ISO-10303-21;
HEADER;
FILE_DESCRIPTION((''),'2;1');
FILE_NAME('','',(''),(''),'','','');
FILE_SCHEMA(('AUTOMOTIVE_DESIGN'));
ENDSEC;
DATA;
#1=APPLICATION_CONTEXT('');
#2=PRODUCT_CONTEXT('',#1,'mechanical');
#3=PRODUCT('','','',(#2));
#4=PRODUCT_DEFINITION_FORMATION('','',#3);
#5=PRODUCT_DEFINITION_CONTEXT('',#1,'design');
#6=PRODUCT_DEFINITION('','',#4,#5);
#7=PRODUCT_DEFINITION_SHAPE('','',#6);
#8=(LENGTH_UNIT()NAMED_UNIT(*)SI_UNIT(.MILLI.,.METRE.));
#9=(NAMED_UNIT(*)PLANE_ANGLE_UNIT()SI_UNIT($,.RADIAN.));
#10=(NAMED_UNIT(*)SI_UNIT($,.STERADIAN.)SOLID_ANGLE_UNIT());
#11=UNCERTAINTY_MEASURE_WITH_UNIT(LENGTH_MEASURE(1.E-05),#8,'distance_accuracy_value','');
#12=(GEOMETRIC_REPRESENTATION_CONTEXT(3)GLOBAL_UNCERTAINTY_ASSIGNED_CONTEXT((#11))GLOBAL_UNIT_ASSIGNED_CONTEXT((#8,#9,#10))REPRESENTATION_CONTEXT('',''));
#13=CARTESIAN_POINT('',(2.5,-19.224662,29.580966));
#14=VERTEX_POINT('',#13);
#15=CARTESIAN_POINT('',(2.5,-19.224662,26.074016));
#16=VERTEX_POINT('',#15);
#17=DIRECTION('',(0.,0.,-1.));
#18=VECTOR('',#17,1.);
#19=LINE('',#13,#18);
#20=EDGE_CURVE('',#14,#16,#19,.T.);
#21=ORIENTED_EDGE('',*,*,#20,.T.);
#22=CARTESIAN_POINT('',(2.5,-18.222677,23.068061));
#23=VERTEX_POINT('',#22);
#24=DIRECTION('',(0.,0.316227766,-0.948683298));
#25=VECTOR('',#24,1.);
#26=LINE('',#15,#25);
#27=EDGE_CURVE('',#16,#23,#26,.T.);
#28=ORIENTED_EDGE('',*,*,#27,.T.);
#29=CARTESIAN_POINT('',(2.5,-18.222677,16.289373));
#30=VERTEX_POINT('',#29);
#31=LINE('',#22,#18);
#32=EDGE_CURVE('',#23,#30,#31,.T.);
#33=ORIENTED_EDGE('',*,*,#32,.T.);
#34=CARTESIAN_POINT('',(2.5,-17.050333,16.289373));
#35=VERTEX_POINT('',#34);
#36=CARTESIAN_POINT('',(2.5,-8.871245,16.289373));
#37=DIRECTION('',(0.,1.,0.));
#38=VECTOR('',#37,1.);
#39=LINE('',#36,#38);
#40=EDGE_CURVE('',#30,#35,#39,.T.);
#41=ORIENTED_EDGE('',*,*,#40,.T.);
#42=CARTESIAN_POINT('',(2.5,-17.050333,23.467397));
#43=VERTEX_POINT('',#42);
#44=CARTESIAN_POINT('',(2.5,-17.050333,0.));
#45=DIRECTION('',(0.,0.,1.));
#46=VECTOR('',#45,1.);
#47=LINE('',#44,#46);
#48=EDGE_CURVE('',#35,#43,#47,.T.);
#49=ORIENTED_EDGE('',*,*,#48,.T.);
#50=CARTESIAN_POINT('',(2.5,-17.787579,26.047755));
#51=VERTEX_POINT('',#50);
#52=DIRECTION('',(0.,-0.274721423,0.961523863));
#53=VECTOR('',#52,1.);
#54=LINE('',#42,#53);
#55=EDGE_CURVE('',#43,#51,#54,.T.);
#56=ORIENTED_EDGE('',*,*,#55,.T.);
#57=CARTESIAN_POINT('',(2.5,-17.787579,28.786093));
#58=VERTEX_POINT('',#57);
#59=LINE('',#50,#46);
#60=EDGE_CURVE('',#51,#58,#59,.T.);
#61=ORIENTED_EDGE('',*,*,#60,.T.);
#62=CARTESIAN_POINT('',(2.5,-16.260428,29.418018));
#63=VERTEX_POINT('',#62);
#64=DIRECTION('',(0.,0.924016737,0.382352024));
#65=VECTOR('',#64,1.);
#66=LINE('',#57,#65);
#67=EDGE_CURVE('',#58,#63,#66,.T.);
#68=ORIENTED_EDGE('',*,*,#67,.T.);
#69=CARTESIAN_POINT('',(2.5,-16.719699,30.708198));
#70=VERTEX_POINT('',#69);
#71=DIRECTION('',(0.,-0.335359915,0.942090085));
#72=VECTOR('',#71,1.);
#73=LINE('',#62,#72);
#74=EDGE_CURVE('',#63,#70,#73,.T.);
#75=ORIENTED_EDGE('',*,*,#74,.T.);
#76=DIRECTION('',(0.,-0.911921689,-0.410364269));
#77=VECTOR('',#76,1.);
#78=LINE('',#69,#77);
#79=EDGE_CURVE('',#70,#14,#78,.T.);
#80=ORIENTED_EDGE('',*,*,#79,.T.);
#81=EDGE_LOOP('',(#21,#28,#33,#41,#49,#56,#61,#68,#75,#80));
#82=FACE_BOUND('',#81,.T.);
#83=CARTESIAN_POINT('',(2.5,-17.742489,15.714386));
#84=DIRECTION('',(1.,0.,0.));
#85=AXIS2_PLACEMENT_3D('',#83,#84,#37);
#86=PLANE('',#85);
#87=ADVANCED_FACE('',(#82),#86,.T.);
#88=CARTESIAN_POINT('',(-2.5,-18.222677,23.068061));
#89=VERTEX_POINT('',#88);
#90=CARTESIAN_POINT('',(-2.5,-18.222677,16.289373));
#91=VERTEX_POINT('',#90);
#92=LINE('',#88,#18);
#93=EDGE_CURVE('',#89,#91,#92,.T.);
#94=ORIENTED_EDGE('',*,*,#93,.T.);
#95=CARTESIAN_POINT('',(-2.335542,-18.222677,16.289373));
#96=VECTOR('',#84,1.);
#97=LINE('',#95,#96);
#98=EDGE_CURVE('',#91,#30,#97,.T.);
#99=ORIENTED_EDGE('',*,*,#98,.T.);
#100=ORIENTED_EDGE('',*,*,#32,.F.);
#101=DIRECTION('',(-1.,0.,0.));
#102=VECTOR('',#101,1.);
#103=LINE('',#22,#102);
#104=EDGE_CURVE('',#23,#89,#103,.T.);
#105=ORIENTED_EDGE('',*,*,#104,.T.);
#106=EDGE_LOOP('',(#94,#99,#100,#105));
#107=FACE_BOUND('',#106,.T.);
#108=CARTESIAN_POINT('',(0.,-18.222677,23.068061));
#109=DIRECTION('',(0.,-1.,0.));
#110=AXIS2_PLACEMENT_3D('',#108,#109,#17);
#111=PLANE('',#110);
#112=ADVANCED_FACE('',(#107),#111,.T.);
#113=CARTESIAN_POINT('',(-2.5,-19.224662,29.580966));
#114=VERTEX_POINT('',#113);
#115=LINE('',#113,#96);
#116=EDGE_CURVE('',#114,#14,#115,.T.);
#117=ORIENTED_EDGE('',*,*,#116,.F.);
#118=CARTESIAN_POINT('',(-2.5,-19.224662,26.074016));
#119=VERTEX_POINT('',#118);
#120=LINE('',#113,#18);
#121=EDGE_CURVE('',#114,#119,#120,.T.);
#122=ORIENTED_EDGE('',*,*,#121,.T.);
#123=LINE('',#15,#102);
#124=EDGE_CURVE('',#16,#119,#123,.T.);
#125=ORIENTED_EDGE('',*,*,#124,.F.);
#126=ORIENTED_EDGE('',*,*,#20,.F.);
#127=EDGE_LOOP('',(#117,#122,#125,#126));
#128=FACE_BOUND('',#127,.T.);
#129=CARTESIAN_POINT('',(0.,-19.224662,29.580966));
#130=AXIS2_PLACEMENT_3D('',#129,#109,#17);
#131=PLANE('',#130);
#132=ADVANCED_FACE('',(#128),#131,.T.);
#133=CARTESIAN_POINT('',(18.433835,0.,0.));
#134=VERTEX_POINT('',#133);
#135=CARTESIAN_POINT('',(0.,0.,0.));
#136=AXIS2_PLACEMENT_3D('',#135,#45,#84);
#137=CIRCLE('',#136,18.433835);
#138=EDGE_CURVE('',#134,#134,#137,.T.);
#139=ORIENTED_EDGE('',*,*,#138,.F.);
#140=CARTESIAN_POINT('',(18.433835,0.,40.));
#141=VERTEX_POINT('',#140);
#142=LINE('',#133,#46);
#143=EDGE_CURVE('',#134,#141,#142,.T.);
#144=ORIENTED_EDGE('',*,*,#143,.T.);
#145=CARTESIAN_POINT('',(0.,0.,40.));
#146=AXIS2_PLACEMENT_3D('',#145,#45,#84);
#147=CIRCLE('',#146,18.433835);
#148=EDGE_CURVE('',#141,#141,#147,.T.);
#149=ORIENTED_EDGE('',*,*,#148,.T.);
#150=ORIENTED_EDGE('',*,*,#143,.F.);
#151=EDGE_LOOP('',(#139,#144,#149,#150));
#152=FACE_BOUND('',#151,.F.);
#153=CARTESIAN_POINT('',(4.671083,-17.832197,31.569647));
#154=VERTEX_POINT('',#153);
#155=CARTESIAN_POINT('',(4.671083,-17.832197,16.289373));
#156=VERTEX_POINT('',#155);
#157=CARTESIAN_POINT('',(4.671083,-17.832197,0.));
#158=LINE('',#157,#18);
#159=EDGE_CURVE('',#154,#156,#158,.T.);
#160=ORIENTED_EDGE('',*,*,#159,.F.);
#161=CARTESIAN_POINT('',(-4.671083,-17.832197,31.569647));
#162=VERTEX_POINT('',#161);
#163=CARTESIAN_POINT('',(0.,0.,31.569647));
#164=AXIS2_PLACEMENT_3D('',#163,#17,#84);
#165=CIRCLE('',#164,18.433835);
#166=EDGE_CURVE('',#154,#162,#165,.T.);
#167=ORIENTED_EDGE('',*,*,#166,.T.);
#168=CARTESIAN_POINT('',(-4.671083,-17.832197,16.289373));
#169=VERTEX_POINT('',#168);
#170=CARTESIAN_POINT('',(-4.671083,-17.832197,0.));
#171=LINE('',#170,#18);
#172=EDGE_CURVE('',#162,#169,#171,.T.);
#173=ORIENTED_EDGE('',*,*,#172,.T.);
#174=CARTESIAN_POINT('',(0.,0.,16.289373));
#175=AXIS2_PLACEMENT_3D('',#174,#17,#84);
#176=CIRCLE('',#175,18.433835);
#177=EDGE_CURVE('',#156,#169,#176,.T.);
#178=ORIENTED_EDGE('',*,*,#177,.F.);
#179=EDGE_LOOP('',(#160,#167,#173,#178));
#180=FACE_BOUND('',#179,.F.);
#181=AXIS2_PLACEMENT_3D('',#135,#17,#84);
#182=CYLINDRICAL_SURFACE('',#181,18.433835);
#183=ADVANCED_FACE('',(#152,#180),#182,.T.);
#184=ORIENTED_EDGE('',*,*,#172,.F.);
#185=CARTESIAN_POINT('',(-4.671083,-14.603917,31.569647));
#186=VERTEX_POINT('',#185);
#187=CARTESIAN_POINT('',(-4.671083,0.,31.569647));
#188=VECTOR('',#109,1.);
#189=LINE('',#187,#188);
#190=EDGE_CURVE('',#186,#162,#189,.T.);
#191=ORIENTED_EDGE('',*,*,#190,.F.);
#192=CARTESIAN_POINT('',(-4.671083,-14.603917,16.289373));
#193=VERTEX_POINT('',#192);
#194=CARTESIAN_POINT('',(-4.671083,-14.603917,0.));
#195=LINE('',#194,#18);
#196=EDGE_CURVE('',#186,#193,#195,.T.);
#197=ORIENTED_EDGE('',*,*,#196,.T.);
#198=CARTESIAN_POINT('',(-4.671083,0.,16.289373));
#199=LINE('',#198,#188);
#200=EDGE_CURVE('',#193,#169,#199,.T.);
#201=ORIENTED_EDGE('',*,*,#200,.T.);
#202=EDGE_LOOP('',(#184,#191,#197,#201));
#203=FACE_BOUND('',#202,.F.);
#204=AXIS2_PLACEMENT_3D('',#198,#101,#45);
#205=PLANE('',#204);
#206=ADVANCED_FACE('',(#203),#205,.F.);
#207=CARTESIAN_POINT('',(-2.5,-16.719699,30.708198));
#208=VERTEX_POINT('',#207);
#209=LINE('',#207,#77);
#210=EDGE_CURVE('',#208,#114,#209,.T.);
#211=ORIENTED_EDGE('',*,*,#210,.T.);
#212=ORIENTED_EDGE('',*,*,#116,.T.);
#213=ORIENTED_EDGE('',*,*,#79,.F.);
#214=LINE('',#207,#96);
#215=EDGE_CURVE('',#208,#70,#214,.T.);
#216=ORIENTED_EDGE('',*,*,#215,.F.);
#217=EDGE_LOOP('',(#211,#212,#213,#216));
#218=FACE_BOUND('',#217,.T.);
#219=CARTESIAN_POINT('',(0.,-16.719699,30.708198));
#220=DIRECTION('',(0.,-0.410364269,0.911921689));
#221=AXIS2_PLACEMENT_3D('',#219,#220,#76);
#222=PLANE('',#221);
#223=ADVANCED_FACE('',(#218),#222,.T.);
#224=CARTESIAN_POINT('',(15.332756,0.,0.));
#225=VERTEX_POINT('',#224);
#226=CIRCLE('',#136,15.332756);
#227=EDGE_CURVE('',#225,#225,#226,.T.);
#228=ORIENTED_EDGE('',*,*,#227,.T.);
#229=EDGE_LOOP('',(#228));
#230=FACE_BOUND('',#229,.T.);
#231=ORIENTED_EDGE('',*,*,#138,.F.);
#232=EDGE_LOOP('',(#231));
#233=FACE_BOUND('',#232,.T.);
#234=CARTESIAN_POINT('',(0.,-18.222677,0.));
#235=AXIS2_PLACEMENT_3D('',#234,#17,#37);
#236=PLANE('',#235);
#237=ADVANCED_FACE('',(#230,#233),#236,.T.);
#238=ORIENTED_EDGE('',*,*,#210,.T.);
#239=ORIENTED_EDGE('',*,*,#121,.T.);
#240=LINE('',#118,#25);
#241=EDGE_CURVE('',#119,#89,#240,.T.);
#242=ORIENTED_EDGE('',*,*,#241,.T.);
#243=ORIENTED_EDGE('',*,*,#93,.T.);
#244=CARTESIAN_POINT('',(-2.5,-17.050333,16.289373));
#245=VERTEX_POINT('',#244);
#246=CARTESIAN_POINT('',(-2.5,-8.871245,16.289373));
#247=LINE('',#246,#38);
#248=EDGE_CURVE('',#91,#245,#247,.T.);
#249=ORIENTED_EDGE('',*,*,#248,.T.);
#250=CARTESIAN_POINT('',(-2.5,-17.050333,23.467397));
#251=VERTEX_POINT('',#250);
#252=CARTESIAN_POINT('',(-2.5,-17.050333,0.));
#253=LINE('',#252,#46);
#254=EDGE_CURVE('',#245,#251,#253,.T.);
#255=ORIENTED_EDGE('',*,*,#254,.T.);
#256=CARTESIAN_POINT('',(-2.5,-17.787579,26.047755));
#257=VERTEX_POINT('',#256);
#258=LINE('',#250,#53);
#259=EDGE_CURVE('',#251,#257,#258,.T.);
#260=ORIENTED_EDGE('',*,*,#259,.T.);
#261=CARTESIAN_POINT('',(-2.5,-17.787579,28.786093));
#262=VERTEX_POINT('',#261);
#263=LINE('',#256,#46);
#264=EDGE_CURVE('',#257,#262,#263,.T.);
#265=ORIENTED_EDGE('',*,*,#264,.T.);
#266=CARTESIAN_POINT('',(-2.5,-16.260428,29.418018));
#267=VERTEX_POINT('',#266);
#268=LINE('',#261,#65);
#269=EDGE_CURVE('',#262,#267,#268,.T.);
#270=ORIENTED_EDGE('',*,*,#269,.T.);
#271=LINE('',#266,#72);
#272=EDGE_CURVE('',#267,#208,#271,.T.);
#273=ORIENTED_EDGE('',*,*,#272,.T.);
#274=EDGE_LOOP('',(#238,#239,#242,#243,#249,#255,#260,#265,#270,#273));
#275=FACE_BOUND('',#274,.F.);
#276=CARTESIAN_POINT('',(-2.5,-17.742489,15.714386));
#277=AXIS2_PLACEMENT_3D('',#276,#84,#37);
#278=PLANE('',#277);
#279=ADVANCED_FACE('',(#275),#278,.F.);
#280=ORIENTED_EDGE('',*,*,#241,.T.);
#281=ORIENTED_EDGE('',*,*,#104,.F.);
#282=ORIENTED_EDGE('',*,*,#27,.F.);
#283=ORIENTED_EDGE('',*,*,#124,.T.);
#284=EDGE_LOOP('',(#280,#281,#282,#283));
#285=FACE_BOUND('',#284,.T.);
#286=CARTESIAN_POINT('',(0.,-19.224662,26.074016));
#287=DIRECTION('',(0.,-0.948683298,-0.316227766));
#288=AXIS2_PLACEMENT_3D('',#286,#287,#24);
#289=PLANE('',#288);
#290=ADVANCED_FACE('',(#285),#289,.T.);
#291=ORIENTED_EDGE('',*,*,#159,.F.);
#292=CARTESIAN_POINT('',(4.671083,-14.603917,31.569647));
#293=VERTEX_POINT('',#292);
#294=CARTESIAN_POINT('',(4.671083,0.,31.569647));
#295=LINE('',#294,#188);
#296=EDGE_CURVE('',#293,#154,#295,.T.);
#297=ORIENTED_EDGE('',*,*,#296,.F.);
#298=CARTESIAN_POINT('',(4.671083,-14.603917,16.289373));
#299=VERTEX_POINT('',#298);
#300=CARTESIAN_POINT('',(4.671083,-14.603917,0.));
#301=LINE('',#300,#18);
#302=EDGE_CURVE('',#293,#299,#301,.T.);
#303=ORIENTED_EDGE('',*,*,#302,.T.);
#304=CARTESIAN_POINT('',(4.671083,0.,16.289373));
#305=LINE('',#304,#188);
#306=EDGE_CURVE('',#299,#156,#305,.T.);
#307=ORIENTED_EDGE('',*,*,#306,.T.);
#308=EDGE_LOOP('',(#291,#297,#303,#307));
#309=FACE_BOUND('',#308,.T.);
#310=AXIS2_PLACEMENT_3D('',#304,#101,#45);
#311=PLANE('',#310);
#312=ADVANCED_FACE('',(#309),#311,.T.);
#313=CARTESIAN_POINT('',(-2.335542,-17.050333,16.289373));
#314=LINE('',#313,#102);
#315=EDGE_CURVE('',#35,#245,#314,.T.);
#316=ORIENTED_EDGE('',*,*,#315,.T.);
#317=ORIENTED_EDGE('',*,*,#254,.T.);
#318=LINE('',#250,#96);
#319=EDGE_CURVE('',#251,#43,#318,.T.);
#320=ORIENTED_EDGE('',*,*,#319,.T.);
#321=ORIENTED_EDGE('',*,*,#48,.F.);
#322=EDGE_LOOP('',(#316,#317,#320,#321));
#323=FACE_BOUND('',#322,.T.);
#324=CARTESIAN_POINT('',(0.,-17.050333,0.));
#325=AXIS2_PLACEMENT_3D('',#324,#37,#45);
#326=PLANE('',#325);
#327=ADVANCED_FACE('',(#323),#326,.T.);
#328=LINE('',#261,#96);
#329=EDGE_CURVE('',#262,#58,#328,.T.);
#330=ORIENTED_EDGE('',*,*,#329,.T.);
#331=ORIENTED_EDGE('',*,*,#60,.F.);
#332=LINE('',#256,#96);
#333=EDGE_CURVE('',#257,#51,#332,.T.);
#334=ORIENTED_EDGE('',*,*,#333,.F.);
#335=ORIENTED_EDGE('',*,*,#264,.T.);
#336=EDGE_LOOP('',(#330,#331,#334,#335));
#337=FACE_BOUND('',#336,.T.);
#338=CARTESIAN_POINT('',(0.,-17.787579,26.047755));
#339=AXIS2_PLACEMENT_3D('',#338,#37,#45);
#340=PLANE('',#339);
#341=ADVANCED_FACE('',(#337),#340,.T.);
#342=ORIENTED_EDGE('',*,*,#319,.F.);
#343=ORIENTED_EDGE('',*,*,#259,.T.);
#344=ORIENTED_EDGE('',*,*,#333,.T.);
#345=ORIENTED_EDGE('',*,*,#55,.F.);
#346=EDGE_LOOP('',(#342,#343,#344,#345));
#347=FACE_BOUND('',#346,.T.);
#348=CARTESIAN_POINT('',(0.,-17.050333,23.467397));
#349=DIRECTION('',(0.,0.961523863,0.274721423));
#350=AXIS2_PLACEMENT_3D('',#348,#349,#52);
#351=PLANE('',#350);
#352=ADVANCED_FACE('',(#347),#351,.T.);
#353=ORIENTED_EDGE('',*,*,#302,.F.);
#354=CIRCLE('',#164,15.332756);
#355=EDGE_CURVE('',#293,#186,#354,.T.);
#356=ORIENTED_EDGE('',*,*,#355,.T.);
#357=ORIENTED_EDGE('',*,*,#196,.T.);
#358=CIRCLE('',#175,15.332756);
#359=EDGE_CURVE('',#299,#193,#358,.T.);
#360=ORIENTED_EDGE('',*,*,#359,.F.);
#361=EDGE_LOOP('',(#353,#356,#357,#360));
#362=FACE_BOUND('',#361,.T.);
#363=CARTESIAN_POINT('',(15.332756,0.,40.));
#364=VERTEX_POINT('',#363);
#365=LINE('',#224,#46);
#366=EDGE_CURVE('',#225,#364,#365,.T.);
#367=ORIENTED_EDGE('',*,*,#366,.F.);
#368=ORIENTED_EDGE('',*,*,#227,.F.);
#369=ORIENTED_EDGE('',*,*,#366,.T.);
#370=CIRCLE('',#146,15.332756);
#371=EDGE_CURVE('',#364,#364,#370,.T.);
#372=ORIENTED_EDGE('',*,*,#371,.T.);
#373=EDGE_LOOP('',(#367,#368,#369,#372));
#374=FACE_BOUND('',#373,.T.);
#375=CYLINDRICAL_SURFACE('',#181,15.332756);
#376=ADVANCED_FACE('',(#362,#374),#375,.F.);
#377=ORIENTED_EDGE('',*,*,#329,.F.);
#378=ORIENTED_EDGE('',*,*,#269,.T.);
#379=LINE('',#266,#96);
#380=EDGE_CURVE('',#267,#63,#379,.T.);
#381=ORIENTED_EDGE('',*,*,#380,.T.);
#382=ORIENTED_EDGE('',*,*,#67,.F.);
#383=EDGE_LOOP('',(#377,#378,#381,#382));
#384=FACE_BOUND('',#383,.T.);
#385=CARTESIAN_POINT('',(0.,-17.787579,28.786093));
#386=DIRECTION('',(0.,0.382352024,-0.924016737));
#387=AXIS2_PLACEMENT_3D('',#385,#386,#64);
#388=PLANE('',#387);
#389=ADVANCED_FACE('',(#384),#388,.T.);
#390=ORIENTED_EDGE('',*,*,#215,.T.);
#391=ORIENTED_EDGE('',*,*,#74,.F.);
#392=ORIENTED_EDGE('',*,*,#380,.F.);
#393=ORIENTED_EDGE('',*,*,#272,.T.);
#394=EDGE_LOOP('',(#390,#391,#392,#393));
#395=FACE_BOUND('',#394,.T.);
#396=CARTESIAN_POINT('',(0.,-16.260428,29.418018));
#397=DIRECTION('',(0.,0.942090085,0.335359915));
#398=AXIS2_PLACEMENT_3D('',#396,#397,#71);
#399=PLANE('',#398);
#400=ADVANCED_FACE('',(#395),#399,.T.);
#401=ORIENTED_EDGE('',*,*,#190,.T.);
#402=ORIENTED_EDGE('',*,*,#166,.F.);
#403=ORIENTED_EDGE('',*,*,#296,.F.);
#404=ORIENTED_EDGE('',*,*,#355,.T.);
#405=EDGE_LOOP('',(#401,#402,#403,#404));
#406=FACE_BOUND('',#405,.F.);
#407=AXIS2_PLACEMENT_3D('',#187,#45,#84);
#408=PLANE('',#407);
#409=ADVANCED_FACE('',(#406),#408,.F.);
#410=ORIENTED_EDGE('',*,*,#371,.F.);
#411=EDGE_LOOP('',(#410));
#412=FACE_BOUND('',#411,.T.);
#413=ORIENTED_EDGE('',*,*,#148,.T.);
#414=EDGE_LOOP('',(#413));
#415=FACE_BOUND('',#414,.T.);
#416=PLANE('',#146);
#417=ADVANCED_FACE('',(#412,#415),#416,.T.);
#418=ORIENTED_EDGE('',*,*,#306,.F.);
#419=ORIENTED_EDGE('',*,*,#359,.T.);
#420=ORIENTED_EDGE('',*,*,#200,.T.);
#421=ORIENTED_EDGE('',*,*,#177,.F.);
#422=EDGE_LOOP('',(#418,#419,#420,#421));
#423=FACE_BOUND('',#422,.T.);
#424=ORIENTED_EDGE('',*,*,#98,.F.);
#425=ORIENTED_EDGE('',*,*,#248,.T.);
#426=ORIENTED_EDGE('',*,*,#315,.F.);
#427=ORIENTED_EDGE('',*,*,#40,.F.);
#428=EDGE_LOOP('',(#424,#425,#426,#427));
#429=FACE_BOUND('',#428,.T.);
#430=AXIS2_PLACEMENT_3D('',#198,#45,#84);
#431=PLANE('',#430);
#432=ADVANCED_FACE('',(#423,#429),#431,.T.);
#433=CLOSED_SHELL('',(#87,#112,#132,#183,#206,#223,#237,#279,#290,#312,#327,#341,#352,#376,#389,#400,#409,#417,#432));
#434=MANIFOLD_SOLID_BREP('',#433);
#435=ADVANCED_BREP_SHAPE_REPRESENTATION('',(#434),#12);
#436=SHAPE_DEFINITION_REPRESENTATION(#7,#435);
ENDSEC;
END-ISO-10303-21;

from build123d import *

# Parameters (mm, degrees)
F0_R     = 18.433835
F0_R_2   = 15.332756
F1_DEPTH = 40
F2_W     = 9.342166
F2_H     = 15.280273
F3_DEPTH = 25
F6_DEPTH = 2.5


with BuildPart() as f1:
    # F0 (on Top) → F1 (new body)
    with BuildSketch(Plane.XY):
        Circle(F0_R)
        Circle(F0_R_2, mode=Mode.SUBTRACT)
    extrude(amount=F1_DEPTH)


with BuildPart() as f3:
    # F2 (on Front) → F3 (new body)
    with BuildSketch(Plane.XZ):
        with Locations((0, 23.92951)):
            Rectangle(F2_W, F2_H)
    extrude(amount=F3_DEPTH)


with BuildPart() as f1_1:
    add(f1.part)

    # F4: cut F3
    add(f3.part, mode=Mode.SUBTRACT)

    # F5 (on Right) → F6 (join, symmetric)
    with BuildSketch(Plane.YZ):
        Polygon((-18.222677, 16.054166), (-18.222677, 0), (-17.050333, 0), (-17.050333, 23.467397), (-17.787579, 26.047755), (-17.787579, 28.786093), (-16.260428, 29.418018), (-16.719699, 30.708198), (-19.224662, 29.580966), (-19.224662, 26.074016), (-18.222677, 23.068061), align=None)
    extrude(amount=F6_DEPTH, both=True)


solid = f1_1.part
